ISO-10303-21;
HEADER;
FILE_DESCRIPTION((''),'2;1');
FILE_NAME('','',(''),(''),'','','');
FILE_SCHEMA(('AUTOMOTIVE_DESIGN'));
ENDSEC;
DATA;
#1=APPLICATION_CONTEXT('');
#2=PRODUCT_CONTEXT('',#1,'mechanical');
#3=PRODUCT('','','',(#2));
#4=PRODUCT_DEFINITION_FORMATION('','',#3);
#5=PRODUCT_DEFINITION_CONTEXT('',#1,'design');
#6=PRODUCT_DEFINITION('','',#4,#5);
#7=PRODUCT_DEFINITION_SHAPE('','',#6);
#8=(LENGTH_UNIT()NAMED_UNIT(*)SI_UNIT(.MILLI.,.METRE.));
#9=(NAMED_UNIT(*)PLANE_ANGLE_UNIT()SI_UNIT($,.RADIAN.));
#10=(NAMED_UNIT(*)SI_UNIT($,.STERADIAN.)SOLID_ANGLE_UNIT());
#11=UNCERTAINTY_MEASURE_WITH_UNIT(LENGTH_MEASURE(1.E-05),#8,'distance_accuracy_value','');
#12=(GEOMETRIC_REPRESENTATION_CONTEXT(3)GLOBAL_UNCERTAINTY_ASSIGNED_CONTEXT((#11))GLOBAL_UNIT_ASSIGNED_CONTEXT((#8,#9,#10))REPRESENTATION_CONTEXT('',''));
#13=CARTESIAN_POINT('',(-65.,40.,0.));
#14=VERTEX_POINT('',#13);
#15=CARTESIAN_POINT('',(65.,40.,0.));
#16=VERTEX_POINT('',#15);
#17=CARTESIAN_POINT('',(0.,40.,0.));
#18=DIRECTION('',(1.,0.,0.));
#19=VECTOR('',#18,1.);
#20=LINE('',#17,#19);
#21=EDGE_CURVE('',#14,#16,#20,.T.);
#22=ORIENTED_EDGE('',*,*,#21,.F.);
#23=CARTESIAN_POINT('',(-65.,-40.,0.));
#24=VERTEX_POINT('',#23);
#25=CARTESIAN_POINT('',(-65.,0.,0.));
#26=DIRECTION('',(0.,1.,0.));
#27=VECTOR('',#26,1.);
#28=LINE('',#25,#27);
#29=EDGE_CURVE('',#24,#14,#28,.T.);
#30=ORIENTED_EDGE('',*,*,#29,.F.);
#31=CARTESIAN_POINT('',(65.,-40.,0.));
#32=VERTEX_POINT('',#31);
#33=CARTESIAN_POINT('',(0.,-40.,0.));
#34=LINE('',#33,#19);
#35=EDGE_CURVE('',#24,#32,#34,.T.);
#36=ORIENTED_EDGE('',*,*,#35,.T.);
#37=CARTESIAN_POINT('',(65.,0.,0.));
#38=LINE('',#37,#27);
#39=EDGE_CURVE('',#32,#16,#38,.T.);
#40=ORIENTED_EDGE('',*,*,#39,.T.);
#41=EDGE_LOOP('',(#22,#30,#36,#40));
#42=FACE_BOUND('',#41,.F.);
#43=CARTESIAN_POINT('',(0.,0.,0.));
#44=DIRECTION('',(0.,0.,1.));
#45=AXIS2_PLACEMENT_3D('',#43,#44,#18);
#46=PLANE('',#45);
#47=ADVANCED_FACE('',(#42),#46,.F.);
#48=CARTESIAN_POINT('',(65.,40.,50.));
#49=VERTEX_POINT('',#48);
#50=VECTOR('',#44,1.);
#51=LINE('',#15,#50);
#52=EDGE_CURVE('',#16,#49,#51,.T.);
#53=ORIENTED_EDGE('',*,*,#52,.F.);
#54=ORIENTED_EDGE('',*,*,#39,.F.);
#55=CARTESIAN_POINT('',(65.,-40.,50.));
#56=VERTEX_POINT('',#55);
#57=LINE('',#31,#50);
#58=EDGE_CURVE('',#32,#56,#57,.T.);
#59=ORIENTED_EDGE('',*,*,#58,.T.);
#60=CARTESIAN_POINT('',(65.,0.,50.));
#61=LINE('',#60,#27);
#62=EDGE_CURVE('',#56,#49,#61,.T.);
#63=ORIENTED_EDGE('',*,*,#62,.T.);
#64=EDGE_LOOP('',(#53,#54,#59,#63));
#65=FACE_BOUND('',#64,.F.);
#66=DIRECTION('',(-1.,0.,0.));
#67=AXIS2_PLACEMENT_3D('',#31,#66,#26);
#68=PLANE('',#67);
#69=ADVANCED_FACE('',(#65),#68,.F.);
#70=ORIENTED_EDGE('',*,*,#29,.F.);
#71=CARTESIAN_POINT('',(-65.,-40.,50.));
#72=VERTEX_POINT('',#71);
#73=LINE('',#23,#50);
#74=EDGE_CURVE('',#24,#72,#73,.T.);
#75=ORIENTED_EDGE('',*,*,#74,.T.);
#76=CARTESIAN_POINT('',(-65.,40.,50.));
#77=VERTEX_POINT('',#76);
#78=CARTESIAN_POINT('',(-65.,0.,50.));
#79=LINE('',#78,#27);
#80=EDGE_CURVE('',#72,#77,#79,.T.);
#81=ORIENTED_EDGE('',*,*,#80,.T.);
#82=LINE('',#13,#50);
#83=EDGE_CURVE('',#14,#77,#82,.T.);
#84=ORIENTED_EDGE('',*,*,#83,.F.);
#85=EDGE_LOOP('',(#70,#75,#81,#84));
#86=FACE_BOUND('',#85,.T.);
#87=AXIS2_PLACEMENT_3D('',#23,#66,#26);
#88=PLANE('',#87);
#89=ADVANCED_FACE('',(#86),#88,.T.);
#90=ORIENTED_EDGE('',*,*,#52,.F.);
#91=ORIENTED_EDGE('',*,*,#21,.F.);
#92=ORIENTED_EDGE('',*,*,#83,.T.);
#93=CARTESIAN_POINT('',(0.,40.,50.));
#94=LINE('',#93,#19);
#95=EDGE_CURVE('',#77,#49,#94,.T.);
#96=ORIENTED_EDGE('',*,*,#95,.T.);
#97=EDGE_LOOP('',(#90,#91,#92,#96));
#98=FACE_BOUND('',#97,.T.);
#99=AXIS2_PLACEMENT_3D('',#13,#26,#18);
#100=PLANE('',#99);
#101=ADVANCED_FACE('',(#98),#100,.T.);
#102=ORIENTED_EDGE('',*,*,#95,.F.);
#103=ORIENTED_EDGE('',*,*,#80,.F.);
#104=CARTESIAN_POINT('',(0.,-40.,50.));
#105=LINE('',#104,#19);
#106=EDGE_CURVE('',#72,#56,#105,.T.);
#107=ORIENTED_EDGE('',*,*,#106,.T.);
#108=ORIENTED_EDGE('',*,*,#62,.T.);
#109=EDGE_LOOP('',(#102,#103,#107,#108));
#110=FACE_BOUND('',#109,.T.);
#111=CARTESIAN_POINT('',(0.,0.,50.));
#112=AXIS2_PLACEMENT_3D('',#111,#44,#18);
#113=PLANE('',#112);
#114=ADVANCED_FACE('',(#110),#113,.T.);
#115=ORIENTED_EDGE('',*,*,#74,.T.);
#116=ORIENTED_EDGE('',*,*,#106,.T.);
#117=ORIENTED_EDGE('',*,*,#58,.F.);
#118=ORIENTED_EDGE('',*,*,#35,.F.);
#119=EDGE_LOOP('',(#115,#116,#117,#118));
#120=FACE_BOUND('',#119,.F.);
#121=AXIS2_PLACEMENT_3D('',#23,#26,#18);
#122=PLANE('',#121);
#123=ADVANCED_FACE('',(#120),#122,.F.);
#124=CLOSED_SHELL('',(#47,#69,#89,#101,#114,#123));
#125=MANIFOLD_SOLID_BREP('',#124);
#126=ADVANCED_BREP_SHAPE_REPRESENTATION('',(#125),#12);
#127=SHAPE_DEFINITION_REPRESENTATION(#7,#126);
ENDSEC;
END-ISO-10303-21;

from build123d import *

# Parameters (mm, degrees)
SKETCH_W      = 130
SKETCH_H      = 80
EXTRUDE_DEPTH = 50


with BuildPart() as part:
    # Sketch → Extrude (new body)
    with BuildSketch(Plane.XY):
        Rectangle(SKETCH_W, SKETCH_H)
    extrude(amount=EXTRUDE_DEPTH)


solid = part.part
